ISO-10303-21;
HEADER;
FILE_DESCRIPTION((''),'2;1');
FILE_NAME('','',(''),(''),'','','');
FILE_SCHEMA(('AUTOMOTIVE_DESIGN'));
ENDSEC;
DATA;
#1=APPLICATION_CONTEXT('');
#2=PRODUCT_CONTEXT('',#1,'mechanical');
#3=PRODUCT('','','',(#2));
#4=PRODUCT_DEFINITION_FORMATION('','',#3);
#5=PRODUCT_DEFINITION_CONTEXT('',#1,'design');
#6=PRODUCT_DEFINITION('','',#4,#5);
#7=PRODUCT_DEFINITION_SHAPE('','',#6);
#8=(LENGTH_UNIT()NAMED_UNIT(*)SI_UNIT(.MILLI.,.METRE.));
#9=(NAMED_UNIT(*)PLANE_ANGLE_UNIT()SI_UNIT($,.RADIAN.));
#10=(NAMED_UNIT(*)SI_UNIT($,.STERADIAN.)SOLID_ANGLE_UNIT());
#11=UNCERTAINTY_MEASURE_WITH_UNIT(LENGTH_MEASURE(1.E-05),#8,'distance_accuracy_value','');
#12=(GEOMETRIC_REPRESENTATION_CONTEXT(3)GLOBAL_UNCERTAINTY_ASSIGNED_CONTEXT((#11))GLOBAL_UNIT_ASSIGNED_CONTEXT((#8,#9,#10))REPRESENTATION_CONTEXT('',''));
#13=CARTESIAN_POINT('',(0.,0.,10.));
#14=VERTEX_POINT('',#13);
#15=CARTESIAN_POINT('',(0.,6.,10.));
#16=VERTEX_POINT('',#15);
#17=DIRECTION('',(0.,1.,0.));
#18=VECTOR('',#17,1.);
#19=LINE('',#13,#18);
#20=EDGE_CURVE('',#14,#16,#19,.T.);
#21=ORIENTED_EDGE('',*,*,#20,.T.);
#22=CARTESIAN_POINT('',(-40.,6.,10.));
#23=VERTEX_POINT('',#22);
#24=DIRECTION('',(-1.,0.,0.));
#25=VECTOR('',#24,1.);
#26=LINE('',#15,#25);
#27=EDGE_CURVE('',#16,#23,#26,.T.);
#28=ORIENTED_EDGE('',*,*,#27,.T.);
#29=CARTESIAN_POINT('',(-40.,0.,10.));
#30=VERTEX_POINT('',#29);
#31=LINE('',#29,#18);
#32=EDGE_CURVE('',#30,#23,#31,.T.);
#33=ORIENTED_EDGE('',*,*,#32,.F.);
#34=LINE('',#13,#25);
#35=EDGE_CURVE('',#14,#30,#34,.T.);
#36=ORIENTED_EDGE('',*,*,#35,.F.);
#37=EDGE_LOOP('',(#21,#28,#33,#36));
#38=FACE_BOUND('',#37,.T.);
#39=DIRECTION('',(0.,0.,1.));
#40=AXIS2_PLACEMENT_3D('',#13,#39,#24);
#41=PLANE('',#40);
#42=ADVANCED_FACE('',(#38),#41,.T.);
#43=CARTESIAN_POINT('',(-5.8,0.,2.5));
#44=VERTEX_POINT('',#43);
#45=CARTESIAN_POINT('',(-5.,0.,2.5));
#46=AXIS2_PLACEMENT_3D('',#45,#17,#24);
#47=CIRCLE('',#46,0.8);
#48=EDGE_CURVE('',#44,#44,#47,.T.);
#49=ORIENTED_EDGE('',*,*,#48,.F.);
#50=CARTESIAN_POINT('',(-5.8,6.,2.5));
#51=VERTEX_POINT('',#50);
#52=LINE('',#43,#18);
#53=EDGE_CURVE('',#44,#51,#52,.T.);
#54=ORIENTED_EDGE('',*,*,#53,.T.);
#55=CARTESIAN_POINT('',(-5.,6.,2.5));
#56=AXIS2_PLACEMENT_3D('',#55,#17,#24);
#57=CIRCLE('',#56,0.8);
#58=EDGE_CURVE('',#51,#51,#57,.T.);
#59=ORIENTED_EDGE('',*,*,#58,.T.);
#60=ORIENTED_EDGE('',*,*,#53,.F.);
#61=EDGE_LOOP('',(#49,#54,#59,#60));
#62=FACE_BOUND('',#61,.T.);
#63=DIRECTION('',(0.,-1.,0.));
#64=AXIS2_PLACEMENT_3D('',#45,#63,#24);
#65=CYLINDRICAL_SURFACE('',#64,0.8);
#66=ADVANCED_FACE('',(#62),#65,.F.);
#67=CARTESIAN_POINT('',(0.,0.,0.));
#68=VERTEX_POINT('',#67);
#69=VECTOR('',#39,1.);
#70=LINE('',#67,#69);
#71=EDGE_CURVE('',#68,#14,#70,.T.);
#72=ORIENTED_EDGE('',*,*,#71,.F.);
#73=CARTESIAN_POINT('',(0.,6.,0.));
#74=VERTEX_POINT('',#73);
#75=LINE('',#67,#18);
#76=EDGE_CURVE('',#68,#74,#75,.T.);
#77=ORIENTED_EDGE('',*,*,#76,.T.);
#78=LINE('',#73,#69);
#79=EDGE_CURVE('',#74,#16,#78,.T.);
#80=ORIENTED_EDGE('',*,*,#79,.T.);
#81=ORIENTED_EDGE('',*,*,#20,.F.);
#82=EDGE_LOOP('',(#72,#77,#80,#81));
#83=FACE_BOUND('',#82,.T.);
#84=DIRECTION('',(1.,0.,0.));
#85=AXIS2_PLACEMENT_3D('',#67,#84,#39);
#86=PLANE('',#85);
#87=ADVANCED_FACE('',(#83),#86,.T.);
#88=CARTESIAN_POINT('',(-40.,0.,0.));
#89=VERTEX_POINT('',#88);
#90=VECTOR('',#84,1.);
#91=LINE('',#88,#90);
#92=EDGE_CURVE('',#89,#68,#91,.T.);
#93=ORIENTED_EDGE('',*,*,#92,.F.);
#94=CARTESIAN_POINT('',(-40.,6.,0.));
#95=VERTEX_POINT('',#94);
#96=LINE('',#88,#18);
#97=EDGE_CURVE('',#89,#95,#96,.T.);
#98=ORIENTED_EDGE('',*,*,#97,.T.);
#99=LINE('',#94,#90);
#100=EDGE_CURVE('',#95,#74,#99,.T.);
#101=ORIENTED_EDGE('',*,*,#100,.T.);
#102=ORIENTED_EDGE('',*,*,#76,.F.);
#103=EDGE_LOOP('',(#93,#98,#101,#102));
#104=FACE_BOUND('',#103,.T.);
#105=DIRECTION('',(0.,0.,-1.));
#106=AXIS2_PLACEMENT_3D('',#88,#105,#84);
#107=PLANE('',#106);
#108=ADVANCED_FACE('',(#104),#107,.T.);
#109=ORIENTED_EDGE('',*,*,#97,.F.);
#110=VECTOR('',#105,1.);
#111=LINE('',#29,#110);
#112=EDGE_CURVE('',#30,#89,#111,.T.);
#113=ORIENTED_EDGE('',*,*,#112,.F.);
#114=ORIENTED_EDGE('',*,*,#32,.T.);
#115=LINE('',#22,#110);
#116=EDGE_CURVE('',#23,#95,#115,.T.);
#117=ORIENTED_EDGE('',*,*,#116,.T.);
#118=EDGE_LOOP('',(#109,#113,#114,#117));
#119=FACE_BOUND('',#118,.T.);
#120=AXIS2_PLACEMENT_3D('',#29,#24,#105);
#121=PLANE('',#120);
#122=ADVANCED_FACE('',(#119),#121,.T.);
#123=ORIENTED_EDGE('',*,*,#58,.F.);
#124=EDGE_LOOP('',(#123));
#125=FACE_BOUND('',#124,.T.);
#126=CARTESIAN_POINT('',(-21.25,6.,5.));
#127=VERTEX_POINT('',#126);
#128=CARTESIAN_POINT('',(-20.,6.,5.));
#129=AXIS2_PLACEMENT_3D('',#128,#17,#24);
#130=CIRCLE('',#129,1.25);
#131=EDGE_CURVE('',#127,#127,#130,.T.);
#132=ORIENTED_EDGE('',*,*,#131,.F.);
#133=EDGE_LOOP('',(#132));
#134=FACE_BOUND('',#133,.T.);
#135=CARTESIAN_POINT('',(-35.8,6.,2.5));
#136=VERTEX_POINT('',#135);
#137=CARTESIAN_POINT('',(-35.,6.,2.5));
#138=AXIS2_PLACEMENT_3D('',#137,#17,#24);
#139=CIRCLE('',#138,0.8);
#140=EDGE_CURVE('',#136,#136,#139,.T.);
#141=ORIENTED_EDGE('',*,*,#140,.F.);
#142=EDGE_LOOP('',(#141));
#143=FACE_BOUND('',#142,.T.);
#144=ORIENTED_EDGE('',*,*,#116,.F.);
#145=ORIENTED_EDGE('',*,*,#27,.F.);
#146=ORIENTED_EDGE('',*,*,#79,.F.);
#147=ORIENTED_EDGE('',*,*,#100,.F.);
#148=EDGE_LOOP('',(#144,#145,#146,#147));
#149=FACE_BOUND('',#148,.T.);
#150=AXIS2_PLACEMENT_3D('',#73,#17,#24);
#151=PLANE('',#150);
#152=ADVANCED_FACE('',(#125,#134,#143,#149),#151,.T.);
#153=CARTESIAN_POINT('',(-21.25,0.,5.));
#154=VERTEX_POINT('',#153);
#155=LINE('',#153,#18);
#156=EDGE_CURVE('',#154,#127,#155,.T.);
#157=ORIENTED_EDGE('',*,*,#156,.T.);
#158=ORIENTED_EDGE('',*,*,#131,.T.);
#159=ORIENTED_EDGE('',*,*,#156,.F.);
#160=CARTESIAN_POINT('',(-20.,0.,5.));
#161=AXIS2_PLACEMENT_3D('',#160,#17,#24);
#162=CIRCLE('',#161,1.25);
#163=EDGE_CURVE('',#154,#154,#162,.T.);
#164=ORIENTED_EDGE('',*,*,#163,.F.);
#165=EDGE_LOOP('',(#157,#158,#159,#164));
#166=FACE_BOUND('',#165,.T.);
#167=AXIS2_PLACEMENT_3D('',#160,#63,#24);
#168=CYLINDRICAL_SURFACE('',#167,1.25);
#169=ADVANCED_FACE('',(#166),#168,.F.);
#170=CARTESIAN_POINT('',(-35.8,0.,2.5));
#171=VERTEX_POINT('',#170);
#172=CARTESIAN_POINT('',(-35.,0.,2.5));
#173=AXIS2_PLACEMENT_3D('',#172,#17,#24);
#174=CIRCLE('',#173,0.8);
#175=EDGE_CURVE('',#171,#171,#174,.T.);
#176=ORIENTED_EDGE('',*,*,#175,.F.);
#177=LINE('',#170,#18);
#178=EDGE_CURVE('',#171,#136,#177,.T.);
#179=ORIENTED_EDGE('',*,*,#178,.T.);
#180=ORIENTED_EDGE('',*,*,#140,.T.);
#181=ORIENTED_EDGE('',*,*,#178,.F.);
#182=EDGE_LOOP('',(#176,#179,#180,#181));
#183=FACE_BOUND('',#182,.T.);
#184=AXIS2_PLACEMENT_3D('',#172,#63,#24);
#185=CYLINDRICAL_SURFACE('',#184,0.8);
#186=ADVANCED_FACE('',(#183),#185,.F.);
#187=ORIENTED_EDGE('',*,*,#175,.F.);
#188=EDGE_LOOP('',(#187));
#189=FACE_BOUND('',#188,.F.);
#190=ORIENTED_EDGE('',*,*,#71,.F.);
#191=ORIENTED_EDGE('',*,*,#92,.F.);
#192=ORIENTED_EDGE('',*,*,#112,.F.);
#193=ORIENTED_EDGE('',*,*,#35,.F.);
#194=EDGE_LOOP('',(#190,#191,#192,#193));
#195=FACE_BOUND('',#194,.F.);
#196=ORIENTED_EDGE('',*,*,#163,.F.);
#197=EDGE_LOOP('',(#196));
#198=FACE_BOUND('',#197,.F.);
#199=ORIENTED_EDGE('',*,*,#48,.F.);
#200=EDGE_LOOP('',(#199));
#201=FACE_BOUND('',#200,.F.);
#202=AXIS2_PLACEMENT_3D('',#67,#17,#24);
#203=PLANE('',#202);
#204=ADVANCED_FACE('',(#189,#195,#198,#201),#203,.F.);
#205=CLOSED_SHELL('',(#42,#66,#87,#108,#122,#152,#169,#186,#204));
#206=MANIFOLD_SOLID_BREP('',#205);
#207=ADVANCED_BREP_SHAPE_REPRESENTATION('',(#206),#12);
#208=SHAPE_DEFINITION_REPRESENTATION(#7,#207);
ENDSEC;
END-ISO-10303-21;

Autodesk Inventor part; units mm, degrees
ref_plane "YZ Plane" through (0, 0, 0) normal (1, 0, 0) x (0, 1, 0)
ref_plane "XZ Plane" through (0, 0, 0) normal (0, 1, 0) x (-1, 0, 0)
ref_plane "XY Plane" through (0, 0, 0) normal (0, 0, 1) x (1, 0, 0)
sketch "Sketch1" plane through (0, 0, 0) normal (0, 1, 0) x (-1, 0, 0)
  line L0 (0, 10) -> (40, 10)
  line L1 (40, 10) -> (40, 0)
  line L2 (40, 0) -> (0, 0)
  line L3 (0, 0) -> (0, 10)
  circle A0 centre (5, 2.5) radius 0.8
  circle A1 centre (35, 2.5) radius 0.8
  circle A2 centre (20, 5) radius 1.25
  dimension "d0" = 1.6
  dimension "d1" = 2.5
  dimension "d2" = 5
  dimension "d3" = 5
  dimension "d4" = 30
  dimension "d5" = 10
  dimension "d8" = 2.5
  dimension "d9" = 20
  dimension "d10" = 5
extrude "Extrusion1" add sketch "Sketch1" along normal blind 6
properties part number "phone_holder_slider_insert" material "Acrylic, Clear"
